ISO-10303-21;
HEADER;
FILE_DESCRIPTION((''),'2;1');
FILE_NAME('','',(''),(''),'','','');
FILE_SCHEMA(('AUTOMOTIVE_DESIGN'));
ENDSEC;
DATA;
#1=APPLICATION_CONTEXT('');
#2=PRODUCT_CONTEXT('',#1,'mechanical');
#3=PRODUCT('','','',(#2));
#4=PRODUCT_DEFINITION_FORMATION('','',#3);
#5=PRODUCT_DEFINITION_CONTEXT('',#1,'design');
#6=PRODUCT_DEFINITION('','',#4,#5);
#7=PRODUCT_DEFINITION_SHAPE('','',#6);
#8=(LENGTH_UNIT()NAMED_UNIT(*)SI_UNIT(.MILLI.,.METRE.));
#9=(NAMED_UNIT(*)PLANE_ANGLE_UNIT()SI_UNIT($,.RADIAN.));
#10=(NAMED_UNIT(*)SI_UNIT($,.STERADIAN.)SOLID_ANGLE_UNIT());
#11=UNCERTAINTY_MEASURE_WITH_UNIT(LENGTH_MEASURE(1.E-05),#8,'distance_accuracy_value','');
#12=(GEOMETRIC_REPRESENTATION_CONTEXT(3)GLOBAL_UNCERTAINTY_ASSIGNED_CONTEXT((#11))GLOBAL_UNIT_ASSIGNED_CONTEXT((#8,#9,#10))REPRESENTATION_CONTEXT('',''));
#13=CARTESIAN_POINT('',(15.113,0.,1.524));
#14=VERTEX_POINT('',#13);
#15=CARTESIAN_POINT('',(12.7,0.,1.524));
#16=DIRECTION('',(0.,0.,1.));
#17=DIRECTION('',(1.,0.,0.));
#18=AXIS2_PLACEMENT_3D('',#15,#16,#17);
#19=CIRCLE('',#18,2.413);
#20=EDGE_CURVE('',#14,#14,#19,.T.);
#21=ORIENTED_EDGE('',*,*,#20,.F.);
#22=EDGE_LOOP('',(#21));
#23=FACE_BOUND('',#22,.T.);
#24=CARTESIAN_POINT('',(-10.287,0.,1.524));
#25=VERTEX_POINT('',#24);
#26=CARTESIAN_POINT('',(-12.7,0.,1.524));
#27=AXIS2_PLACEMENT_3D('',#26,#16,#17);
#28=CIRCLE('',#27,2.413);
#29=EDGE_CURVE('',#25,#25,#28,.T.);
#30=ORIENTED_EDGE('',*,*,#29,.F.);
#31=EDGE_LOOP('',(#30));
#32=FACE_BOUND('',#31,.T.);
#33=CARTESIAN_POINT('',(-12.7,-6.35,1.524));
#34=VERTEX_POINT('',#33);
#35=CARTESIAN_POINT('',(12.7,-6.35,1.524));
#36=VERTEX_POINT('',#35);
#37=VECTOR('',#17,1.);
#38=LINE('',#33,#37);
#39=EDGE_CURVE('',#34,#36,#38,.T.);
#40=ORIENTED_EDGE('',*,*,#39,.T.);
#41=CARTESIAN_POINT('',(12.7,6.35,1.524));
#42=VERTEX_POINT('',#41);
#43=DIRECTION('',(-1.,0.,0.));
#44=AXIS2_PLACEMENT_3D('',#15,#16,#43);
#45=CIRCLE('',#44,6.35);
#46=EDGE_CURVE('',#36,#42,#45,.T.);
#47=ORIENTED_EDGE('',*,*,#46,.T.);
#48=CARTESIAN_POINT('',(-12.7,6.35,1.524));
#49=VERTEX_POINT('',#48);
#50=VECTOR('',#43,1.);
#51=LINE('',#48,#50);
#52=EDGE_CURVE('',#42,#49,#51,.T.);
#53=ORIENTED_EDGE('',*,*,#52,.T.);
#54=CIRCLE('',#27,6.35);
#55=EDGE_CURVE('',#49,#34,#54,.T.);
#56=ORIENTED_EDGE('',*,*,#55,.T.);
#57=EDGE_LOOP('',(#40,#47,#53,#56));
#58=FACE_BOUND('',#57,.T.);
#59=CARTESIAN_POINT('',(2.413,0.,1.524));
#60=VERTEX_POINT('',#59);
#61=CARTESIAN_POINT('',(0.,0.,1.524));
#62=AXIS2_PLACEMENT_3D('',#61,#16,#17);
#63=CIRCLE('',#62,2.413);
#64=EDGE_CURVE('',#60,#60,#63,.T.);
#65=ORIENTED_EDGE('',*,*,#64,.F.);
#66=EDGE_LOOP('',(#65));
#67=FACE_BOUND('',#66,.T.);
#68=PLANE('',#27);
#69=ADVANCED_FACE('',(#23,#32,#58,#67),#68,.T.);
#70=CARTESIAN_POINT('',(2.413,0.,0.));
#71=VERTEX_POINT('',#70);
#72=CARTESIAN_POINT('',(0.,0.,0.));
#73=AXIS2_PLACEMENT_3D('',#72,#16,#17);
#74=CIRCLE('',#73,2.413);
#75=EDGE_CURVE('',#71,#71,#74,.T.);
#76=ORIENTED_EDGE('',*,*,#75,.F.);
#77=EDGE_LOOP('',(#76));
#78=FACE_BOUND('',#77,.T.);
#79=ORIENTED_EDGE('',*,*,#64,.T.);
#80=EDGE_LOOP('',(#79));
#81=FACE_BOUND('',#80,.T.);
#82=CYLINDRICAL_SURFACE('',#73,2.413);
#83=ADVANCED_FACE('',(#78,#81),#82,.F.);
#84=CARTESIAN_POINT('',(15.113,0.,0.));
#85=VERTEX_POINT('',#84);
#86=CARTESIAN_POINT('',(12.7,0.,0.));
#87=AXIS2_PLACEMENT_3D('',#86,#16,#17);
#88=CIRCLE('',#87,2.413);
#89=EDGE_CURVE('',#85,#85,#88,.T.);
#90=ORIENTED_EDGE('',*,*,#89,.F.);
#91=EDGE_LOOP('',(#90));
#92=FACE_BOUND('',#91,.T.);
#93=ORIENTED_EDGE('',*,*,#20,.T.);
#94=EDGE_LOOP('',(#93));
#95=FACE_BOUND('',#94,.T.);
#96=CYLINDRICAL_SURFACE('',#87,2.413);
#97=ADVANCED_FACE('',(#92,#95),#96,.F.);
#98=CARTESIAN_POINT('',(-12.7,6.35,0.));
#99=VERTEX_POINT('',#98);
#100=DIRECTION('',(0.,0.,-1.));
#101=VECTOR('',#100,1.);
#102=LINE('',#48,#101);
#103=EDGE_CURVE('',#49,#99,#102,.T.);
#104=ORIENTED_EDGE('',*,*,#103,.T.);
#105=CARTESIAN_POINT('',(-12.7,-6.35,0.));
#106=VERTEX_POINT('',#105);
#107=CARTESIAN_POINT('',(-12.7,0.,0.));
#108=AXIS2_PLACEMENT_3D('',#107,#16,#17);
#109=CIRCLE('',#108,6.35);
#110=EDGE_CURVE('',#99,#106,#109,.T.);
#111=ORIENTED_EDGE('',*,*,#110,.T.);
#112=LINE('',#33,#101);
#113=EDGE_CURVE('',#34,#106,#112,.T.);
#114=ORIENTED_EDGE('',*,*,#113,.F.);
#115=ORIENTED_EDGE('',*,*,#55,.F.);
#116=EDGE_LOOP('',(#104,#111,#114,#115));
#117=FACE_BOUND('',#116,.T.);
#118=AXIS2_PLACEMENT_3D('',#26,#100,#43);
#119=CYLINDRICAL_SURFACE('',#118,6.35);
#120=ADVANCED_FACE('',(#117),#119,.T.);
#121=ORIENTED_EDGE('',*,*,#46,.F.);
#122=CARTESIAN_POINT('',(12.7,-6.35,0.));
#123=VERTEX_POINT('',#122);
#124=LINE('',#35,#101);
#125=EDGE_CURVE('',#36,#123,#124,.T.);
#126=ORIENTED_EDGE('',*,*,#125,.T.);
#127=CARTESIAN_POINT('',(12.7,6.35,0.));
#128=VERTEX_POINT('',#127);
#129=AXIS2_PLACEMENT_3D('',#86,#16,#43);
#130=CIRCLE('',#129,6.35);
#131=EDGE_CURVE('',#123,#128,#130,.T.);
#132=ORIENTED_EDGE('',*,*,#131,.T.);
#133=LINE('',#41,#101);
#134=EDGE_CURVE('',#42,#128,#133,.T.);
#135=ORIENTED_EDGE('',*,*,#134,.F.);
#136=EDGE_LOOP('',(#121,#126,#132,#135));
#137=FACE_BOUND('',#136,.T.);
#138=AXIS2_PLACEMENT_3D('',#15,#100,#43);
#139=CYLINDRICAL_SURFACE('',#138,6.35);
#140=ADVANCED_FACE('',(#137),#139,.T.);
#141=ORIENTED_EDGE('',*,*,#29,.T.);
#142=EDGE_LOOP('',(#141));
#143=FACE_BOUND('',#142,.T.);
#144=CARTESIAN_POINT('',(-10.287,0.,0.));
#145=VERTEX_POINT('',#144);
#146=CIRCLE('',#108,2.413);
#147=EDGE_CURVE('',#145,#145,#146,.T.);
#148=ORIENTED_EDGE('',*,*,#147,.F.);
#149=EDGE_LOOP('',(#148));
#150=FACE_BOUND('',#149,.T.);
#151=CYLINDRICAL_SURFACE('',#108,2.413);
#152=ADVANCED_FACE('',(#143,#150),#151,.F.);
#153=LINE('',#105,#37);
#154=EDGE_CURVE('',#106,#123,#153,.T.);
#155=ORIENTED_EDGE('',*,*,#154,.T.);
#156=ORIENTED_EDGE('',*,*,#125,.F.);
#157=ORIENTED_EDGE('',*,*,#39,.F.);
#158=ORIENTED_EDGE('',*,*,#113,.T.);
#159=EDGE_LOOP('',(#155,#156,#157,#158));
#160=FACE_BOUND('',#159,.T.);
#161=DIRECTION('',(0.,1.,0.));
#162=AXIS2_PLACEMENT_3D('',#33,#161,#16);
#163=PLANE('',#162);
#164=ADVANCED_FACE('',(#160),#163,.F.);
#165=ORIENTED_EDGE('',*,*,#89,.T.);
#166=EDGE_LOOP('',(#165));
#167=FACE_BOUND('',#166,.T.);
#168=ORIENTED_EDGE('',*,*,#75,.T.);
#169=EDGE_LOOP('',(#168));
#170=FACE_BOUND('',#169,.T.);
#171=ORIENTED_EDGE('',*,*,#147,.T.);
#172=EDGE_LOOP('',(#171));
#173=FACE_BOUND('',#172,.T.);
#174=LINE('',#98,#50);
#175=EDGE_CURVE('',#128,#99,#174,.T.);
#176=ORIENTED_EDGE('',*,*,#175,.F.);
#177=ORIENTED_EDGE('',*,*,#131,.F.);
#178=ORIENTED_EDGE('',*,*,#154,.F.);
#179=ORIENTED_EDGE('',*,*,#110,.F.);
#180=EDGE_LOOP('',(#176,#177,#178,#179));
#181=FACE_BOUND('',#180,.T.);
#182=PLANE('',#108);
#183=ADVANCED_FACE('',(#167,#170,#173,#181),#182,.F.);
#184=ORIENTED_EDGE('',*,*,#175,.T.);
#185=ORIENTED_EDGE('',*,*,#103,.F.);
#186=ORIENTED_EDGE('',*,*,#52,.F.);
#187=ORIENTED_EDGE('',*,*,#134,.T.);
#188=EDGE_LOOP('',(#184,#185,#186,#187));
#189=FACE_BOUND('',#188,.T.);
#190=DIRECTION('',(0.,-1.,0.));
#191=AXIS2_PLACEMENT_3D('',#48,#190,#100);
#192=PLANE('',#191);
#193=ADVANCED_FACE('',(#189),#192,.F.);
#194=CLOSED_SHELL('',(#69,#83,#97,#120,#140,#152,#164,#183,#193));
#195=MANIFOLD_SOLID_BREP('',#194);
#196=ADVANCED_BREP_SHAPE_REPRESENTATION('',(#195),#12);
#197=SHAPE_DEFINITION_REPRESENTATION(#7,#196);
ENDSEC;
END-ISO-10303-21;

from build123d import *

# Parameters (mm, degrees)
EXTRUDE1_DEPTH  = 1.524
SKETCH2_R       = 2.413
EXTRUDE2_DEPTH  = 2.524
LPATTERN1_COUNT = 3
LPATTERN1_PITCH = 12.7


with BuildPart() as part:
    # Sketch1 → Extrude1 (new body)
    with BuildSketch(Plane.XY):
        with BuildLine():
            Line((-12.7, -6.35), (12.7, -6.35))
            ThreePointArc((12.7, -6.35), (19.05, 0), (12.7, 6.35))
            Line((12.7, 6.35), (-12.7, 6.35))
            ThreePointArc((-12.7, 6.35), (-19.05, 0), (-12.7, -6.35))
        make_face()
    extrude(amount=EXTRUDE1_DEPTH)

    # Sketch2 → Extrude2 (cut, through all)
    with BuildSketch(Plane.XY.offset(1.524)):
        with Locations((-12.7, 0)):
            Circle(SKETCH2_R)
    extrude2 = extrude(amount=-EXTRUDE2_DEPTH, mode=Mode.SUBTRACT)

    # LPattern1: Extrude2 ×3
    with Locations(*[(i * LPATTERN1_PITCH, 0, 0) for i in range(1, LPATTERN1_COUNT)]):
        add(extrude2, mode=Mode.SUBTRACT)


solid = part.part
